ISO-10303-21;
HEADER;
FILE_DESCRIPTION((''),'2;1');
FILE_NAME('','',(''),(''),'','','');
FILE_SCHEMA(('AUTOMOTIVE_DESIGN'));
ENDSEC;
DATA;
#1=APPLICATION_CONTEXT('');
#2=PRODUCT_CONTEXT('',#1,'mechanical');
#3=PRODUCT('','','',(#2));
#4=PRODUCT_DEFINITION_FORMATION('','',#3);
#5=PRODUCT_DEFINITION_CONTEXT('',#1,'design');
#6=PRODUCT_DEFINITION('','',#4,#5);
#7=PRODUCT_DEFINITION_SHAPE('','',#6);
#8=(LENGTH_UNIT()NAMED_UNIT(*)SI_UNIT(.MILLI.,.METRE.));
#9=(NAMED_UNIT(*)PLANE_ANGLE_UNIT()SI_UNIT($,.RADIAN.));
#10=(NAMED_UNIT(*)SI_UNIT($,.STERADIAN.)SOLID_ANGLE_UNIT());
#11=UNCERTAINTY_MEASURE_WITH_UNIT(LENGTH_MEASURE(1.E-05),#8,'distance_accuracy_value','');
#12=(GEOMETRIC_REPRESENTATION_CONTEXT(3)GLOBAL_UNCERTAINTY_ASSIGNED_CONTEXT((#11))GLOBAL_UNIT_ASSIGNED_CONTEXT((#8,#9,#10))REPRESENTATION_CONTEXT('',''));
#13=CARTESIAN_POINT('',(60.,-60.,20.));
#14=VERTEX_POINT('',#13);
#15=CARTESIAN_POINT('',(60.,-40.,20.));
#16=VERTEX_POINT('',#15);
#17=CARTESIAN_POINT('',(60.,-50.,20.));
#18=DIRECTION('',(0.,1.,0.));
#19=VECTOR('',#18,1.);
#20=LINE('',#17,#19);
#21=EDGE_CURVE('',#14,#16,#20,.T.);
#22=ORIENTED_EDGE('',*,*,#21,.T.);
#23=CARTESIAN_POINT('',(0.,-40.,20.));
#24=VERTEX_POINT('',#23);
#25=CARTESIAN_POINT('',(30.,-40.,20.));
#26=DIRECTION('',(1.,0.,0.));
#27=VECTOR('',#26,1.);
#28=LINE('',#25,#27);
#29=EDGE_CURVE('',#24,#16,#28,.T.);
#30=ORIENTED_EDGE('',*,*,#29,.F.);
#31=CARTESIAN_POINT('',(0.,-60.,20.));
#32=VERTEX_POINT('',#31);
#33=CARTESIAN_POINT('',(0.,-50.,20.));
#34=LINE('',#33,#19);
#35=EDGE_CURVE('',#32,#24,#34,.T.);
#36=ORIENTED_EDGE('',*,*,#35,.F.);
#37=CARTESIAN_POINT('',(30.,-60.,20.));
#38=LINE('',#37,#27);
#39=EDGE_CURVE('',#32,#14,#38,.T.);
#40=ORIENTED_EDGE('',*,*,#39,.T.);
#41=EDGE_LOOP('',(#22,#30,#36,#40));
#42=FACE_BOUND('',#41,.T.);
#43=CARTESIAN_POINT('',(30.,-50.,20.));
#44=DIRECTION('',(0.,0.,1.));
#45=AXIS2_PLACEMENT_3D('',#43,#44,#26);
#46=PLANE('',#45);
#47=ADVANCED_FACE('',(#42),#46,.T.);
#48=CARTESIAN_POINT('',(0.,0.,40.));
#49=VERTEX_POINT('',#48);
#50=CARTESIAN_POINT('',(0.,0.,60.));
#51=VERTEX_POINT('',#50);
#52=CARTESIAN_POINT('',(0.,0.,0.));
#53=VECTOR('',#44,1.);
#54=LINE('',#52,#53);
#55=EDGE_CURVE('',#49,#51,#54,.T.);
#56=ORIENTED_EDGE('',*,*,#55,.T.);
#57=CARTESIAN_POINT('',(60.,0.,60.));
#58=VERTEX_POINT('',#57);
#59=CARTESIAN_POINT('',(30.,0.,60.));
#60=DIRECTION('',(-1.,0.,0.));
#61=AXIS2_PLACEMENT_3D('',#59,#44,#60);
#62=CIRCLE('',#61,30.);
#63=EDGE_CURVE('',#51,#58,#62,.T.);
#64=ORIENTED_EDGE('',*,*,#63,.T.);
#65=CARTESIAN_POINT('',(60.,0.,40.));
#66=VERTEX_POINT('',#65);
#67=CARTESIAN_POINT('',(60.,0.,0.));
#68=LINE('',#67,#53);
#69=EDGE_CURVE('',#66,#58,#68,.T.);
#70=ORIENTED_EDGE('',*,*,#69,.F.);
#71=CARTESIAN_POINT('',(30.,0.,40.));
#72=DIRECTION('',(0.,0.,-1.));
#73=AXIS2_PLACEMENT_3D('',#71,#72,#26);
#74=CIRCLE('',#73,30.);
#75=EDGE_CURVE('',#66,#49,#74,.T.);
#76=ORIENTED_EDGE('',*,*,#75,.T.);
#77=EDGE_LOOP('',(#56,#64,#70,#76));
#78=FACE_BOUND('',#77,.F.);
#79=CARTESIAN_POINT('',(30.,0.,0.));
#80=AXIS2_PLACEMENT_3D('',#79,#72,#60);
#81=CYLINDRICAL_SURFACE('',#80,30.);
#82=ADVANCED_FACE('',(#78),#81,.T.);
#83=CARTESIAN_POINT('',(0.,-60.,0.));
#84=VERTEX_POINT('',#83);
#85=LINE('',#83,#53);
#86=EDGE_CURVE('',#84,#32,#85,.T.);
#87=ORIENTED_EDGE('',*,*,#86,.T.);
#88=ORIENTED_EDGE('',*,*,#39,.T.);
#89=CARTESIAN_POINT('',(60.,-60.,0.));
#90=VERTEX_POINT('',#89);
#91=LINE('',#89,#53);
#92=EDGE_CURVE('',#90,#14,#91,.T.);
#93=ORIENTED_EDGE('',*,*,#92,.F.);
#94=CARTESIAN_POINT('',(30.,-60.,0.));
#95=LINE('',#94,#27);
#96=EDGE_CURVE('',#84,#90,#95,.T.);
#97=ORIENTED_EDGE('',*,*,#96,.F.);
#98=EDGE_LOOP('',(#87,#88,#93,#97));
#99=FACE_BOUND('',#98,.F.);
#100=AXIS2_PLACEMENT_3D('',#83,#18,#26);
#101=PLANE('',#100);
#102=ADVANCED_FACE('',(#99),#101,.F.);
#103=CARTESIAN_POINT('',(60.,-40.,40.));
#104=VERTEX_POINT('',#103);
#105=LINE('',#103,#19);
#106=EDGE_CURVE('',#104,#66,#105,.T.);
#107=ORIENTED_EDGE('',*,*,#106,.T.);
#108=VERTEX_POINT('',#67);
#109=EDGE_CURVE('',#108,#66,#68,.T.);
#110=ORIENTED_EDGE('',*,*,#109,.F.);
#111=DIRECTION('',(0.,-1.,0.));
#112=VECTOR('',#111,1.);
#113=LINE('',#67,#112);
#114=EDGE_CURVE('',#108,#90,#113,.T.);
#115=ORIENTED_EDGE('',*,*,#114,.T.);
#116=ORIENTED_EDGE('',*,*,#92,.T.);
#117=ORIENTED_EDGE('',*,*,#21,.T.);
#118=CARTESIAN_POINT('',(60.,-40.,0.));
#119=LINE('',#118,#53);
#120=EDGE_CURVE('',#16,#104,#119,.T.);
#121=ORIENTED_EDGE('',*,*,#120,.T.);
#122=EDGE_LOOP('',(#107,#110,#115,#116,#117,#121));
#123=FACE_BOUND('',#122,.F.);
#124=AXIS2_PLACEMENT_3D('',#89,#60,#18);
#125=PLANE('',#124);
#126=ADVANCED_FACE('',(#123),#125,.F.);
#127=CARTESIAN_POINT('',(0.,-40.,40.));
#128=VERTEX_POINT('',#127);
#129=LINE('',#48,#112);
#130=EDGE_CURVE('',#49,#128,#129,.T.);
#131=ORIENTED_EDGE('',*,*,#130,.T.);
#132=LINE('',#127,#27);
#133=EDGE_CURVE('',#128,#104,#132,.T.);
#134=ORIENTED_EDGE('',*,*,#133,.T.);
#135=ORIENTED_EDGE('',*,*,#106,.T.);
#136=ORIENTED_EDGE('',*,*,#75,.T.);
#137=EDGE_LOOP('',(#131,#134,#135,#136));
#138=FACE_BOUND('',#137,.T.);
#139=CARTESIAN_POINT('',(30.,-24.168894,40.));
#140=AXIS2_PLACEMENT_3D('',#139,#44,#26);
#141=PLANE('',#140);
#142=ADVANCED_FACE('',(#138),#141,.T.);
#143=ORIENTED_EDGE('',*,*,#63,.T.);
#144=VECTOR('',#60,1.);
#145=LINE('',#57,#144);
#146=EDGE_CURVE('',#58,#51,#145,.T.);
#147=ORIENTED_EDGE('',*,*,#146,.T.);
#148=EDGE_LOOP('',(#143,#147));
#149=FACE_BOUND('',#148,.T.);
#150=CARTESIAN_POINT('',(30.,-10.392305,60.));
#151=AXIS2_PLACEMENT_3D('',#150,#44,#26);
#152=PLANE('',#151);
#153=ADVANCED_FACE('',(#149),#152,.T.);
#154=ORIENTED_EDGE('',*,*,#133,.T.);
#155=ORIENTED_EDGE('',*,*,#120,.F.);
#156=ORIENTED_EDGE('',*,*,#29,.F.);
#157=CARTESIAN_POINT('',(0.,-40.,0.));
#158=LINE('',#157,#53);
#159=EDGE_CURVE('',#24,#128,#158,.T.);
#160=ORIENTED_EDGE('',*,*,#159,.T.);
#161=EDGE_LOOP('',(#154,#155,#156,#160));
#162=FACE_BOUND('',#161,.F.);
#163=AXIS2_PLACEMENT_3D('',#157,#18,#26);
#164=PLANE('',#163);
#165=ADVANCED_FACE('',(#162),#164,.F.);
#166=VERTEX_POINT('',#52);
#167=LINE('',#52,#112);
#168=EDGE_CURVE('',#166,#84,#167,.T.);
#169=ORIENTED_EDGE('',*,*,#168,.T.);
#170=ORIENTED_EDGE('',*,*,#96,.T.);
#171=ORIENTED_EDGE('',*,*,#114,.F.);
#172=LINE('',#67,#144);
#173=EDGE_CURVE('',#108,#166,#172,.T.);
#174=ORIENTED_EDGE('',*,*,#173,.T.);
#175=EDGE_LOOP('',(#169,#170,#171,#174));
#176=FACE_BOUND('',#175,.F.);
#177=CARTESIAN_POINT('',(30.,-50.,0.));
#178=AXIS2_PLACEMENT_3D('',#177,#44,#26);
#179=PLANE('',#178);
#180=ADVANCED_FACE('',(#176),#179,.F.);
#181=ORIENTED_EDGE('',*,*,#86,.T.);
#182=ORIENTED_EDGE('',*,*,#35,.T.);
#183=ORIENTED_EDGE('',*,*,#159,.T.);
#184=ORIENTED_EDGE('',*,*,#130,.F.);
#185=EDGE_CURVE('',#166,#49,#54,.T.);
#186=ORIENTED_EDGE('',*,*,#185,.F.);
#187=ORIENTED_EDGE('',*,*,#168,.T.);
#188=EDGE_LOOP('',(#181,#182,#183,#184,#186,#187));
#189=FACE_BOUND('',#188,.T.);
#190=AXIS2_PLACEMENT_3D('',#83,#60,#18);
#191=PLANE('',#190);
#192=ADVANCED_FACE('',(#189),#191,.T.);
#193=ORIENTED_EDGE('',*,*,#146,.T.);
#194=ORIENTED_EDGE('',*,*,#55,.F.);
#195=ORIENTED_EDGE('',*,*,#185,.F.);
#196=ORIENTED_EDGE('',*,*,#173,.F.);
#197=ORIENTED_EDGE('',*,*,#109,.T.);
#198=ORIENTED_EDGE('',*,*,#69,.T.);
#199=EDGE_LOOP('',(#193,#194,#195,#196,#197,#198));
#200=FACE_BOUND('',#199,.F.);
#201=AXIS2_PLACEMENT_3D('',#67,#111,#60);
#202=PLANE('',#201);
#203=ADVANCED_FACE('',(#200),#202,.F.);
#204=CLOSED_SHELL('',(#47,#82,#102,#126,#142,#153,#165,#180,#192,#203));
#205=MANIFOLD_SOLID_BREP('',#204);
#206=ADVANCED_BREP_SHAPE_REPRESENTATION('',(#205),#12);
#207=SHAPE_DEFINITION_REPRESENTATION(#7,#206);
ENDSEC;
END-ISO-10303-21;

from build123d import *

# Parameters (mm, degrees)
F1_DEPTH = 60
F2_DEPTH = 40
F0_W     = 60
F0_H     = 20
F3_DEPTH = 20


with BuildPart() as f1:
    # F0 (on Top) → F1 (new body)
    with BuildSketch(Plane.XY):
        with BuildLine():
            Line((60, 0), (0, 0))
            ThreePointArc((0, 0), (30, -30), (60, 0))
        make_face()
    extrude(amount=F1_DEPTH)

    # F0 (on Top) → F2 (join)
    with BuildSketch(Plane.XY):
        with BuildLine():
            ThreePointArc((60, 0), (30, -30), (0, 0))
            Line((0, 0), (0, -40))
            Line((0, -40), (60, -40))
            Line((60, -40), (60, 0))
        make_face()
    extrude(amount=F2_DEPTH)

    # F0 (on Top) → F3 (join)
    with BuildSketch(Plane.XY):
        with Locations((30, -50)):
            Rectangle(F0_W, F0_H)
    extrude(amount=F3_DEPTH)


solid = f1.part
